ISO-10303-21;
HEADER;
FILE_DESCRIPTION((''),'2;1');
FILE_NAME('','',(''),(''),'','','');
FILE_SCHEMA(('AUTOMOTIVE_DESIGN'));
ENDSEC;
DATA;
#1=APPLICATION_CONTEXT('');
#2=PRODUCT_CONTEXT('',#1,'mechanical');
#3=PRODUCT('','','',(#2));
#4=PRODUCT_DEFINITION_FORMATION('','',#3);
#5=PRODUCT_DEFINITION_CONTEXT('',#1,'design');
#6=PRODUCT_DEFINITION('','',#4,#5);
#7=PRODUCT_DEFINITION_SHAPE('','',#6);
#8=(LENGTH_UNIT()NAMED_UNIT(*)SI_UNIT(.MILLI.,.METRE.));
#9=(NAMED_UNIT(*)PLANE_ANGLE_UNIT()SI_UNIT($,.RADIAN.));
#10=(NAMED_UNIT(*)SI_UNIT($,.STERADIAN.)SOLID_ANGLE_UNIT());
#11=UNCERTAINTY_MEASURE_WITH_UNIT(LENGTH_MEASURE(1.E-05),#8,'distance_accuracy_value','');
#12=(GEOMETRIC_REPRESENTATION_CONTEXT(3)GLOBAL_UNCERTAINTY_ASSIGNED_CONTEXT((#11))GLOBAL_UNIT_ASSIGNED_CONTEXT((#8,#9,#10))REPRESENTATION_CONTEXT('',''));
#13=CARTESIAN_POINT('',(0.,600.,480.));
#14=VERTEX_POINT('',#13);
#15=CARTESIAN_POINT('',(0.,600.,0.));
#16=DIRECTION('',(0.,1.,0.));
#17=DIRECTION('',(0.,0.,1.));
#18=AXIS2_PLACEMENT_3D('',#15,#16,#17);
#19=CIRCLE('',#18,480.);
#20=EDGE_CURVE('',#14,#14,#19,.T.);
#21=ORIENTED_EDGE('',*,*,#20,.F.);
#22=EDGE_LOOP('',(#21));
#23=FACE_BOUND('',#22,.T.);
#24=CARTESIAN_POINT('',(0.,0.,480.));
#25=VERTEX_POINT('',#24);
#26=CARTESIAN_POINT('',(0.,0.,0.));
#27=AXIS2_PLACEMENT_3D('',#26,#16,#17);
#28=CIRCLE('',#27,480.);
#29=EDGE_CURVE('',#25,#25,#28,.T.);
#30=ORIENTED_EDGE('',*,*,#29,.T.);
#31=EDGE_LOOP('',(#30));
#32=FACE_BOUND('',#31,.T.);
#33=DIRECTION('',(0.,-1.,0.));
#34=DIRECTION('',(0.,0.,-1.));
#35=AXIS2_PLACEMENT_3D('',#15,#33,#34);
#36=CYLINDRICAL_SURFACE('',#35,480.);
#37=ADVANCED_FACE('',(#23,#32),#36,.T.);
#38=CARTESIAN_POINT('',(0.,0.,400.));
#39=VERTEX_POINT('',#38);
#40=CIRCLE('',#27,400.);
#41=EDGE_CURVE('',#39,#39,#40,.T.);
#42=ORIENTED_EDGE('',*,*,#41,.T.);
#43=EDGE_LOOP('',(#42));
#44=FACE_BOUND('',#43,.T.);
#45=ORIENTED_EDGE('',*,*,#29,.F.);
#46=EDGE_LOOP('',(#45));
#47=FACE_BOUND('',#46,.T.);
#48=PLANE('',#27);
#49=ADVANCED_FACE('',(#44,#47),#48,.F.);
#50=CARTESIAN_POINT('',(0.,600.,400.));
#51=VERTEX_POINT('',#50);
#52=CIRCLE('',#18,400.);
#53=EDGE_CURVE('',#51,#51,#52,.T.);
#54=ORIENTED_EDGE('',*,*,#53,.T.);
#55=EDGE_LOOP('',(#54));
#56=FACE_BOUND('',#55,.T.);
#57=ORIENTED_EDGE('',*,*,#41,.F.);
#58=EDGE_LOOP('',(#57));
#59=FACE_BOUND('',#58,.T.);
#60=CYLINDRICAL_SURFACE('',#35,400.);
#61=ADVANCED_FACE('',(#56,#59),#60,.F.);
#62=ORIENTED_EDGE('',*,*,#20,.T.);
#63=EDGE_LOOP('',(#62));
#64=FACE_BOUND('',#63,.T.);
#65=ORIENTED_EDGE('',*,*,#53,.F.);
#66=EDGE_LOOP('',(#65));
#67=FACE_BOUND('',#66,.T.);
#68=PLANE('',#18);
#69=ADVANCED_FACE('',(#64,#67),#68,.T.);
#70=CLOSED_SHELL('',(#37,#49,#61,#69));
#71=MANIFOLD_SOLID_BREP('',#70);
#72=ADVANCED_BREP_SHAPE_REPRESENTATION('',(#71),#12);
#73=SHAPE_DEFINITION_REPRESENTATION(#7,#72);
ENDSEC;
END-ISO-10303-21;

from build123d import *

# Parameters (mm, degrees)
SKETCH1_R           = 480
SKETCH1_R_2         = 400
BOSS_EXTRUDE1_DEPTH = 600


with BuildPart() as part:
    # Sketch1 → Boss-Extrude1 (new body)
    with BuildSketch(Plane(origin=(0, 0, 0), x_dir=(1, 0, 0), z_dir=(0, 1, 0))):
        Circle(SKETCH1_R)
        Circle(SKETCH1_R_2, mode=Mode.SUBTRACT)
    extrude(amount=BOSS_EXTRUDE1_DEPTH)


solid = part.part
